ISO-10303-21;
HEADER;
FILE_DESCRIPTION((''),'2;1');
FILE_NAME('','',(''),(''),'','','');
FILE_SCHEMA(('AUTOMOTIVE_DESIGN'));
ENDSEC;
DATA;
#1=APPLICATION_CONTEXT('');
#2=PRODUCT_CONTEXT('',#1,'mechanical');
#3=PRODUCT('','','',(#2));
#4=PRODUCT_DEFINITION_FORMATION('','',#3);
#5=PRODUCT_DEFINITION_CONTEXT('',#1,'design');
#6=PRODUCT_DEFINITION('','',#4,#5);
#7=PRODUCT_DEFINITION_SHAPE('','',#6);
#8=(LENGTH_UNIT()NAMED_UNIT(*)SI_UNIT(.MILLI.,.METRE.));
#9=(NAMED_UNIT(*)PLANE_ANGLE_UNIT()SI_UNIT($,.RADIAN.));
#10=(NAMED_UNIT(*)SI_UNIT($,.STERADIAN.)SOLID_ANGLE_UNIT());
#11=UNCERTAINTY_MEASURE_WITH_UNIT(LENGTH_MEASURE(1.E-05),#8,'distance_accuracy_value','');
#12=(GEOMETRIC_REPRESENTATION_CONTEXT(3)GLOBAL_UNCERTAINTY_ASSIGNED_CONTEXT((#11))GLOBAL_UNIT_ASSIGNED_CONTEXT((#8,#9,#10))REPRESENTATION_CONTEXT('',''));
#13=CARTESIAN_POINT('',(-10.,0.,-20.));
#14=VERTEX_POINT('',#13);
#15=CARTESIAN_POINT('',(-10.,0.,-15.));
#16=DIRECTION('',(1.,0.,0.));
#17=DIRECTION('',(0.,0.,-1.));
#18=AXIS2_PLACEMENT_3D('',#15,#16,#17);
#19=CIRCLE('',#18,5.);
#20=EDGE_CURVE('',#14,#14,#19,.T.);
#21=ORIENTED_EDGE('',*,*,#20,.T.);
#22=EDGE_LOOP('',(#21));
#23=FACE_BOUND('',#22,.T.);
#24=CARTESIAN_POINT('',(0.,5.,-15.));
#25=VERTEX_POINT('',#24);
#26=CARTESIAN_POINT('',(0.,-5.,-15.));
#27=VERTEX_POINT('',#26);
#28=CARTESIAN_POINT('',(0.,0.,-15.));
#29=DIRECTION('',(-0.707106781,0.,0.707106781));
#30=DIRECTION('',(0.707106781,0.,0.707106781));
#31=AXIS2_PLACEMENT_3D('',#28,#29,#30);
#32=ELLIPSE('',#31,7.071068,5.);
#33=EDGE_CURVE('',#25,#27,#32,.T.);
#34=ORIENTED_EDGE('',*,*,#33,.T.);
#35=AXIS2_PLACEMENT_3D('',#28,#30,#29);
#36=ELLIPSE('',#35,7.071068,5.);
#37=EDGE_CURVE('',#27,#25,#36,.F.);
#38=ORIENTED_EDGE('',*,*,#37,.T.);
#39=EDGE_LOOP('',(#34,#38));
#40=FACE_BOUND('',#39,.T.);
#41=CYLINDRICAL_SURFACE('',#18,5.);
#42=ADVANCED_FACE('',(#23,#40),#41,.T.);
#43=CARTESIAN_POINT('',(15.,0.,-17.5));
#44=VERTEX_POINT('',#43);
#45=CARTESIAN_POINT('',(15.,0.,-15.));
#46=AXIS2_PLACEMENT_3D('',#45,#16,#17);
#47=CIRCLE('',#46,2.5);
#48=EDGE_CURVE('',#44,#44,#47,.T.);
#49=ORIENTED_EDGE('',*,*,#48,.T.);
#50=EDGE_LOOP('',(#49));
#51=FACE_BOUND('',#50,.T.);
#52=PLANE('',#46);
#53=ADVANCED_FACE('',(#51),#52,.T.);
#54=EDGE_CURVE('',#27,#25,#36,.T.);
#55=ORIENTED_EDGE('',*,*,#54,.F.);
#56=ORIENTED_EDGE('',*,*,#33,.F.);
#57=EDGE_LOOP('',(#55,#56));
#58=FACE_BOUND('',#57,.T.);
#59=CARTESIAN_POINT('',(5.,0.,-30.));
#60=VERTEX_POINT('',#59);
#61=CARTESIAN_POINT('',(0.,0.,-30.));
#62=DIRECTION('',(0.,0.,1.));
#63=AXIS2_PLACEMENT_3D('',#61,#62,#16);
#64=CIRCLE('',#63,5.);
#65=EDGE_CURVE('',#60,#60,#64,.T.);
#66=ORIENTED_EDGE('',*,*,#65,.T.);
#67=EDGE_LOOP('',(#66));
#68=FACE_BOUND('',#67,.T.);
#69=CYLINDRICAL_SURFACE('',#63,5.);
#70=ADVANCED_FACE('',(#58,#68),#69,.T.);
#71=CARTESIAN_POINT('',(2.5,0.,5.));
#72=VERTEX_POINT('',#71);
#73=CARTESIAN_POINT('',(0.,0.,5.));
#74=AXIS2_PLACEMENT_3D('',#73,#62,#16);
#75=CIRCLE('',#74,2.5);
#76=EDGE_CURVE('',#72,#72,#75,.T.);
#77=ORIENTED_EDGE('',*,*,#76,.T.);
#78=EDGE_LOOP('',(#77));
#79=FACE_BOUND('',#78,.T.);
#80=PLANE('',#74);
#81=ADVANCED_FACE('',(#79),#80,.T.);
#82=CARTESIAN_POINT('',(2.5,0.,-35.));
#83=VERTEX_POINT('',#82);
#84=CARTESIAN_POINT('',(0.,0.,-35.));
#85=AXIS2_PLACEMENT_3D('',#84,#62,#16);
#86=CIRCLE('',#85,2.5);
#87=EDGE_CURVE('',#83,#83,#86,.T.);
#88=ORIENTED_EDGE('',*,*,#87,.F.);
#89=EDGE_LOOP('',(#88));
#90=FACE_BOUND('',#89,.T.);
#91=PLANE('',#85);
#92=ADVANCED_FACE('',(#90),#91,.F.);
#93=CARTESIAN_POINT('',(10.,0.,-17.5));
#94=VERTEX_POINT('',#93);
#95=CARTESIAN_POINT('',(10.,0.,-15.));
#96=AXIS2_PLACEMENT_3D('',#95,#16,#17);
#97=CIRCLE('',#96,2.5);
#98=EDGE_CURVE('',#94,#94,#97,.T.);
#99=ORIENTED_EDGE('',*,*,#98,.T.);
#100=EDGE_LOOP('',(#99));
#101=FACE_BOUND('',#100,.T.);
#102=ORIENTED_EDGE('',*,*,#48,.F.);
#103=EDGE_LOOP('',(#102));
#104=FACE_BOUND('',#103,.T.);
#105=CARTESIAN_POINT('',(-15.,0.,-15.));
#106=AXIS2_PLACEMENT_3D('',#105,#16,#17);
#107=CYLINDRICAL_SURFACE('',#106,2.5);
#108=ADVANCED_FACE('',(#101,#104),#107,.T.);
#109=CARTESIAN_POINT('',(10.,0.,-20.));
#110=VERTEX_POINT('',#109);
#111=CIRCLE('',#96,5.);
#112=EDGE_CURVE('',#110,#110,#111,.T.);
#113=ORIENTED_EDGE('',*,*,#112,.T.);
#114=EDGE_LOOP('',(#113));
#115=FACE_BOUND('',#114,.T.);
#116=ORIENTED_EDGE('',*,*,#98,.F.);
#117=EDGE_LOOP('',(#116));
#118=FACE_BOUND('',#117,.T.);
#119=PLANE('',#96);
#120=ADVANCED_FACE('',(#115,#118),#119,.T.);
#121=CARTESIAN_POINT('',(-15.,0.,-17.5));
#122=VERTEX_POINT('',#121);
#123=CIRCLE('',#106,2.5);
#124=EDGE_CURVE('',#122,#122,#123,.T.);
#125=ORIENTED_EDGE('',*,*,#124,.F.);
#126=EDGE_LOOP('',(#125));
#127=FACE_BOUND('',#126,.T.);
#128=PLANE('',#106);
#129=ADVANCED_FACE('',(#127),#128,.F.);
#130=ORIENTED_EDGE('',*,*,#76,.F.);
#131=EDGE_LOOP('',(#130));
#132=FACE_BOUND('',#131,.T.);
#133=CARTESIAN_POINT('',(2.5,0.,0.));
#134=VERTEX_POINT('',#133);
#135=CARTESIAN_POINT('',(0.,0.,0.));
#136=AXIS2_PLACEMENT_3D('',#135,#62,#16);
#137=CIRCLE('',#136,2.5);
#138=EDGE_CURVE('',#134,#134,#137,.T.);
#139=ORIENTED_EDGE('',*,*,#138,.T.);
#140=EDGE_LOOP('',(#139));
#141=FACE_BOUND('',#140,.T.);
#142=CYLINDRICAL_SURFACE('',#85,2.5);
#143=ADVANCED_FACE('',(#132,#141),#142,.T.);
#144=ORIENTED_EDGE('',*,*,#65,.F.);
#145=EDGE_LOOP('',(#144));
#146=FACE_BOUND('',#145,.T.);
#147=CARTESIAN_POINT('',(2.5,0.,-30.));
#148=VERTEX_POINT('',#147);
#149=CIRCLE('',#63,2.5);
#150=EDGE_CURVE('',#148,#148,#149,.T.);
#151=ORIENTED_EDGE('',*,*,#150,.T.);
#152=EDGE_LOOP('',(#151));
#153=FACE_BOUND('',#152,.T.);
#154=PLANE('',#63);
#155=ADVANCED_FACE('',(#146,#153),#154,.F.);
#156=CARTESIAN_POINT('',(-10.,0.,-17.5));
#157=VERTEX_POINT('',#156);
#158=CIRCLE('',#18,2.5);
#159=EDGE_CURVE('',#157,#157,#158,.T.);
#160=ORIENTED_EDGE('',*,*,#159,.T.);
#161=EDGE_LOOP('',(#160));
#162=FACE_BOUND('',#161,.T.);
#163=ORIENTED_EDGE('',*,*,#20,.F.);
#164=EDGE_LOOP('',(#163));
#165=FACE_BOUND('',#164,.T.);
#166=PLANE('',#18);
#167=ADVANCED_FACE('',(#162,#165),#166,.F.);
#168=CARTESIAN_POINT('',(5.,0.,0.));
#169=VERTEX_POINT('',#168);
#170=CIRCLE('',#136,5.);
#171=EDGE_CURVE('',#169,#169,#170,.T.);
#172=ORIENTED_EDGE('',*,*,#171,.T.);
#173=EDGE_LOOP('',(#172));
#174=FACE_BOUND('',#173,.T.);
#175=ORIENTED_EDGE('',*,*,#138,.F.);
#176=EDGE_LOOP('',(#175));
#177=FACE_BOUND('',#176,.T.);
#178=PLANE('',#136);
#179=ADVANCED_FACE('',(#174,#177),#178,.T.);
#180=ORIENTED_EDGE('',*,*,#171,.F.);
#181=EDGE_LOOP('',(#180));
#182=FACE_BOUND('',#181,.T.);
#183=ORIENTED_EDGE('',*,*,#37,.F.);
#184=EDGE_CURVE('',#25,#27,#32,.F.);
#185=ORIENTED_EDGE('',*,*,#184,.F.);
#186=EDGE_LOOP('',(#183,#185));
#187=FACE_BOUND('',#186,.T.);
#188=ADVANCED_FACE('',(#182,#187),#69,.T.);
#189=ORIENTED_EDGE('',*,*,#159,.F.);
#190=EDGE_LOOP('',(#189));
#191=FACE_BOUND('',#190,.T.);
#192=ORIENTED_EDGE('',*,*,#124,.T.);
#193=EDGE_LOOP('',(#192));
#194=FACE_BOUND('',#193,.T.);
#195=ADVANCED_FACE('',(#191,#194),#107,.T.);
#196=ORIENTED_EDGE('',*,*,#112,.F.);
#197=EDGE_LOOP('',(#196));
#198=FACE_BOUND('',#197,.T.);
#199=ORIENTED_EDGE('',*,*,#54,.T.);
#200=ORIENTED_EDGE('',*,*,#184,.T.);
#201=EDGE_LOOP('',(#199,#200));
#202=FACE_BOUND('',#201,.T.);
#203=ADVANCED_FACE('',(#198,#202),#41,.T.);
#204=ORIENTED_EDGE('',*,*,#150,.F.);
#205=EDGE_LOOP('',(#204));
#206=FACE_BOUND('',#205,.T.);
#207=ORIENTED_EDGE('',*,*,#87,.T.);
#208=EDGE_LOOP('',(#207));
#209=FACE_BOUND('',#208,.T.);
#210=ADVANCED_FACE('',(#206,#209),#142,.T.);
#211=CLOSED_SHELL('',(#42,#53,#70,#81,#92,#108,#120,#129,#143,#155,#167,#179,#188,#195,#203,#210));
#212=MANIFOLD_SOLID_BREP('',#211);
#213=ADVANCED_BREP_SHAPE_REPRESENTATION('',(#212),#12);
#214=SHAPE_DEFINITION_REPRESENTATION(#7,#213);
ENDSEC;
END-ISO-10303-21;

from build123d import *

# Parameters (mm, degrees)
SKETCH1_R                = 5
BOSS_EXTRUDE1_DEPTH      = 30
BOSS_EXTRUDE2_DEPTH      = 10
BOSS_EXTRUDE2_DEPTH_BACK = 10
SKETCH3_R                = 5
BOSS_EXTRUDE3_DEPTH      = 5
BOSS_EXTRUDE3_DEPTH_BACK = 25
SKETCH5_R                = 2.5
BOSS_EXTRUDE4_DEPTH      = 5
BOSS_EXTRUDE4_DEPTH_BACK = 35
SKETCH6_R                = 2.5


with BuildPart() as part:
    # Sketch1 → Boss-Extrude1 (new body)
    with BuildSketch(Plane.XY):
        Circle(SKETCH1_R)
    extrude(amount=-BOSS_EXTRUDE1_DEPTH)

    # Sketch3 → Boss-Extrude2 (add, two sides: drawn at the far end of the back side and taken through both)
    with BuildSketch(Plane(origin=(0, 0, 0), x_dir=(0, 0, -1), z_dir=(1, 0, 0)).offset(-BOSS_EXTRUDE2_DEPTH_BACK)):
        with Locations((15, 0)):
            Circle(SKETCH3_R)
    extrude(amount=BOSS_EXTRUDE2_DEPTH + BOSS_EXTRUDE2_DEPTH_BACK)

    # Sketch5 → Boss-Extrude3 (add, two sides: drawn at the far end of the back side and taken through both)
    with BuildSketch(Plane(origin=(10, 0, 0), x_dir=(0, 0, -1), z_dir=(1, 0, 0)).offset(-BOSS_EXTRUDE3_DEPTH_BACK)):
        with Locations((15, 0)):
            Circle(SKETCH5_R)
    extrude(amount=BOSS_EXTRUDE3_DEPTH + BOSS_EXTRUDE3_DEPTH_BACK)

    # Sketch6 → Boss-Extrude4 (add, two sides: drawn at the far end of the back side and taken through both)
    with BuildSketch(Plane.XY.offset(-BOSS_EXTRUDE4_DEPTH_BACK)):
        Circle(SKETCH6_R)
    extrude(amount=BOSS_EXTRUDE4_DEPTH + BOSS_EXTRUDE4_DEPTH_BACK)


solid = part.part
